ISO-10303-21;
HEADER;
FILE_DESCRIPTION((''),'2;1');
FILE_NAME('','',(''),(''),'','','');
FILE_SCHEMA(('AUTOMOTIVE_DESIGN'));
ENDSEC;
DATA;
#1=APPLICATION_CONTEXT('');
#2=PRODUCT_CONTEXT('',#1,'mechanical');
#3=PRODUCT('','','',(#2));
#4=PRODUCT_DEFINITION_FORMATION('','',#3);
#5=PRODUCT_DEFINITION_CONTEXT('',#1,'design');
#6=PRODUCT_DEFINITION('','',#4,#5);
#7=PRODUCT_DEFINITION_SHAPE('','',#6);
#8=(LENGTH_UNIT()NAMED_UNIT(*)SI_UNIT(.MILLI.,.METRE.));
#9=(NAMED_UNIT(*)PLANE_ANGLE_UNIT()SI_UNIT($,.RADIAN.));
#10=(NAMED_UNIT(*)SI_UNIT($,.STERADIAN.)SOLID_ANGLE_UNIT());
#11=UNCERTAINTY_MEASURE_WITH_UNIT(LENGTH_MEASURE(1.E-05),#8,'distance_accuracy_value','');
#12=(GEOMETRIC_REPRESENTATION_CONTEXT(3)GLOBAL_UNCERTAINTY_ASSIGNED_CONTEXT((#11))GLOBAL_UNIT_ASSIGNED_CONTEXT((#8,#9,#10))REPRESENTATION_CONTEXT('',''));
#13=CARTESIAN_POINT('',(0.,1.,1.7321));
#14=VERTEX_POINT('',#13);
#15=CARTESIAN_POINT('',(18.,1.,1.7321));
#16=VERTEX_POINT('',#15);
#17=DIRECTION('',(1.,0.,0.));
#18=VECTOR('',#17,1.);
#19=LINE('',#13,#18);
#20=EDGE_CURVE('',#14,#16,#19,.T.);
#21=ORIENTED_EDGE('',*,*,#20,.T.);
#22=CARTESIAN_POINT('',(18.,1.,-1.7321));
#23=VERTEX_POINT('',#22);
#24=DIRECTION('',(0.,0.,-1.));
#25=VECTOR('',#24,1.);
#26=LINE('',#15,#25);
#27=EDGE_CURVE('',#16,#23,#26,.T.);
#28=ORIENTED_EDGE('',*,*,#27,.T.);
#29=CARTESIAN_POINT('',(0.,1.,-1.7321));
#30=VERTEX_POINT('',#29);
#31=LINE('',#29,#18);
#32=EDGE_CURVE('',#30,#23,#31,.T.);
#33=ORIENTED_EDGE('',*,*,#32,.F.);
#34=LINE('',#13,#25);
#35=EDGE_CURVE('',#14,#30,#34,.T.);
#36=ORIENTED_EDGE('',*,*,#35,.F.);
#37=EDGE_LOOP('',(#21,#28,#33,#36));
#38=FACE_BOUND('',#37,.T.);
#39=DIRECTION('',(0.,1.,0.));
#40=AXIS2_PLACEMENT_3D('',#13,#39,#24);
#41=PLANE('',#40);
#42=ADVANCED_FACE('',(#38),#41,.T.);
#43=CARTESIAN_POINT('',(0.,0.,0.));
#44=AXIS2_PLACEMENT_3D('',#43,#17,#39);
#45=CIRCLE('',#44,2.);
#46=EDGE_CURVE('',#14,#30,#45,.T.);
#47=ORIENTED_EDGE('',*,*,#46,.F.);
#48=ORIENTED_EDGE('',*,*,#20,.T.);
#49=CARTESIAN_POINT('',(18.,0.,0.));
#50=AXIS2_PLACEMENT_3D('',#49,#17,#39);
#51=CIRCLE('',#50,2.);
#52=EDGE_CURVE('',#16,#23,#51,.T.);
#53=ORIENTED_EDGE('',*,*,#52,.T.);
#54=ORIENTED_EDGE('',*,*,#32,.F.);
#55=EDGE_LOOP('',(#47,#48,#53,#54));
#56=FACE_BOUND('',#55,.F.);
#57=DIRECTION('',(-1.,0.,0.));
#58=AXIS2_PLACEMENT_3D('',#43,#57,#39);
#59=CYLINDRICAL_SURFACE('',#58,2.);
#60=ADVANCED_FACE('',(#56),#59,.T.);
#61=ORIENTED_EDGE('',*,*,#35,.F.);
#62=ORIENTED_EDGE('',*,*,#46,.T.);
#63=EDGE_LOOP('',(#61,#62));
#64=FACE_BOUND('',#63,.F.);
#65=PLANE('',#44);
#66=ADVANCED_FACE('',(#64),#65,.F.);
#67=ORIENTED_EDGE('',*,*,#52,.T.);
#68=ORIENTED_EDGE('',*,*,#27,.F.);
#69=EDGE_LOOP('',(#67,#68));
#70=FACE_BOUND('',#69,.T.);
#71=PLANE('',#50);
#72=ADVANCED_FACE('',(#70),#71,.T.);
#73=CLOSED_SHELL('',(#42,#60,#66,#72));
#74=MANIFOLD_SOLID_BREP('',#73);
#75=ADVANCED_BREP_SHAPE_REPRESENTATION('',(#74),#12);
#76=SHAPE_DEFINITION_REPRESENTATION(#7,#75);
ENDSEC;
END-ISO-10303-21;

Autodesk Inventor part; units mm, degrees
ref_plane "YZ Plane" through (0, 0, 0) normal (1, 0, 0) x (0, 1, 0)
ref_plane "XZ Plane" through (0, 0, 0) normal (0, 1, 0) x (-1, 0, 0)
ref_plane "XY Plane" through (0, 0, 0) normal (0, 0, 1) x (1, 0, 0)
sketch "Sketch1" plane through (0, 0, 0) normal (1, 0, 0) x (0, 1, 0)
  circle A0 centre (0, 0) radius 2
  line L0 (1, 1.7321) -> (1, -1.7321)
  dimension "d0" = 4
  dimension "d1" = 3
extrude "Extrusion1" add sketch "Sketch1" along normal blind 18 contours L0 A0 picked at (0.0677, -0.5968)
properties part number "SHAFT"
